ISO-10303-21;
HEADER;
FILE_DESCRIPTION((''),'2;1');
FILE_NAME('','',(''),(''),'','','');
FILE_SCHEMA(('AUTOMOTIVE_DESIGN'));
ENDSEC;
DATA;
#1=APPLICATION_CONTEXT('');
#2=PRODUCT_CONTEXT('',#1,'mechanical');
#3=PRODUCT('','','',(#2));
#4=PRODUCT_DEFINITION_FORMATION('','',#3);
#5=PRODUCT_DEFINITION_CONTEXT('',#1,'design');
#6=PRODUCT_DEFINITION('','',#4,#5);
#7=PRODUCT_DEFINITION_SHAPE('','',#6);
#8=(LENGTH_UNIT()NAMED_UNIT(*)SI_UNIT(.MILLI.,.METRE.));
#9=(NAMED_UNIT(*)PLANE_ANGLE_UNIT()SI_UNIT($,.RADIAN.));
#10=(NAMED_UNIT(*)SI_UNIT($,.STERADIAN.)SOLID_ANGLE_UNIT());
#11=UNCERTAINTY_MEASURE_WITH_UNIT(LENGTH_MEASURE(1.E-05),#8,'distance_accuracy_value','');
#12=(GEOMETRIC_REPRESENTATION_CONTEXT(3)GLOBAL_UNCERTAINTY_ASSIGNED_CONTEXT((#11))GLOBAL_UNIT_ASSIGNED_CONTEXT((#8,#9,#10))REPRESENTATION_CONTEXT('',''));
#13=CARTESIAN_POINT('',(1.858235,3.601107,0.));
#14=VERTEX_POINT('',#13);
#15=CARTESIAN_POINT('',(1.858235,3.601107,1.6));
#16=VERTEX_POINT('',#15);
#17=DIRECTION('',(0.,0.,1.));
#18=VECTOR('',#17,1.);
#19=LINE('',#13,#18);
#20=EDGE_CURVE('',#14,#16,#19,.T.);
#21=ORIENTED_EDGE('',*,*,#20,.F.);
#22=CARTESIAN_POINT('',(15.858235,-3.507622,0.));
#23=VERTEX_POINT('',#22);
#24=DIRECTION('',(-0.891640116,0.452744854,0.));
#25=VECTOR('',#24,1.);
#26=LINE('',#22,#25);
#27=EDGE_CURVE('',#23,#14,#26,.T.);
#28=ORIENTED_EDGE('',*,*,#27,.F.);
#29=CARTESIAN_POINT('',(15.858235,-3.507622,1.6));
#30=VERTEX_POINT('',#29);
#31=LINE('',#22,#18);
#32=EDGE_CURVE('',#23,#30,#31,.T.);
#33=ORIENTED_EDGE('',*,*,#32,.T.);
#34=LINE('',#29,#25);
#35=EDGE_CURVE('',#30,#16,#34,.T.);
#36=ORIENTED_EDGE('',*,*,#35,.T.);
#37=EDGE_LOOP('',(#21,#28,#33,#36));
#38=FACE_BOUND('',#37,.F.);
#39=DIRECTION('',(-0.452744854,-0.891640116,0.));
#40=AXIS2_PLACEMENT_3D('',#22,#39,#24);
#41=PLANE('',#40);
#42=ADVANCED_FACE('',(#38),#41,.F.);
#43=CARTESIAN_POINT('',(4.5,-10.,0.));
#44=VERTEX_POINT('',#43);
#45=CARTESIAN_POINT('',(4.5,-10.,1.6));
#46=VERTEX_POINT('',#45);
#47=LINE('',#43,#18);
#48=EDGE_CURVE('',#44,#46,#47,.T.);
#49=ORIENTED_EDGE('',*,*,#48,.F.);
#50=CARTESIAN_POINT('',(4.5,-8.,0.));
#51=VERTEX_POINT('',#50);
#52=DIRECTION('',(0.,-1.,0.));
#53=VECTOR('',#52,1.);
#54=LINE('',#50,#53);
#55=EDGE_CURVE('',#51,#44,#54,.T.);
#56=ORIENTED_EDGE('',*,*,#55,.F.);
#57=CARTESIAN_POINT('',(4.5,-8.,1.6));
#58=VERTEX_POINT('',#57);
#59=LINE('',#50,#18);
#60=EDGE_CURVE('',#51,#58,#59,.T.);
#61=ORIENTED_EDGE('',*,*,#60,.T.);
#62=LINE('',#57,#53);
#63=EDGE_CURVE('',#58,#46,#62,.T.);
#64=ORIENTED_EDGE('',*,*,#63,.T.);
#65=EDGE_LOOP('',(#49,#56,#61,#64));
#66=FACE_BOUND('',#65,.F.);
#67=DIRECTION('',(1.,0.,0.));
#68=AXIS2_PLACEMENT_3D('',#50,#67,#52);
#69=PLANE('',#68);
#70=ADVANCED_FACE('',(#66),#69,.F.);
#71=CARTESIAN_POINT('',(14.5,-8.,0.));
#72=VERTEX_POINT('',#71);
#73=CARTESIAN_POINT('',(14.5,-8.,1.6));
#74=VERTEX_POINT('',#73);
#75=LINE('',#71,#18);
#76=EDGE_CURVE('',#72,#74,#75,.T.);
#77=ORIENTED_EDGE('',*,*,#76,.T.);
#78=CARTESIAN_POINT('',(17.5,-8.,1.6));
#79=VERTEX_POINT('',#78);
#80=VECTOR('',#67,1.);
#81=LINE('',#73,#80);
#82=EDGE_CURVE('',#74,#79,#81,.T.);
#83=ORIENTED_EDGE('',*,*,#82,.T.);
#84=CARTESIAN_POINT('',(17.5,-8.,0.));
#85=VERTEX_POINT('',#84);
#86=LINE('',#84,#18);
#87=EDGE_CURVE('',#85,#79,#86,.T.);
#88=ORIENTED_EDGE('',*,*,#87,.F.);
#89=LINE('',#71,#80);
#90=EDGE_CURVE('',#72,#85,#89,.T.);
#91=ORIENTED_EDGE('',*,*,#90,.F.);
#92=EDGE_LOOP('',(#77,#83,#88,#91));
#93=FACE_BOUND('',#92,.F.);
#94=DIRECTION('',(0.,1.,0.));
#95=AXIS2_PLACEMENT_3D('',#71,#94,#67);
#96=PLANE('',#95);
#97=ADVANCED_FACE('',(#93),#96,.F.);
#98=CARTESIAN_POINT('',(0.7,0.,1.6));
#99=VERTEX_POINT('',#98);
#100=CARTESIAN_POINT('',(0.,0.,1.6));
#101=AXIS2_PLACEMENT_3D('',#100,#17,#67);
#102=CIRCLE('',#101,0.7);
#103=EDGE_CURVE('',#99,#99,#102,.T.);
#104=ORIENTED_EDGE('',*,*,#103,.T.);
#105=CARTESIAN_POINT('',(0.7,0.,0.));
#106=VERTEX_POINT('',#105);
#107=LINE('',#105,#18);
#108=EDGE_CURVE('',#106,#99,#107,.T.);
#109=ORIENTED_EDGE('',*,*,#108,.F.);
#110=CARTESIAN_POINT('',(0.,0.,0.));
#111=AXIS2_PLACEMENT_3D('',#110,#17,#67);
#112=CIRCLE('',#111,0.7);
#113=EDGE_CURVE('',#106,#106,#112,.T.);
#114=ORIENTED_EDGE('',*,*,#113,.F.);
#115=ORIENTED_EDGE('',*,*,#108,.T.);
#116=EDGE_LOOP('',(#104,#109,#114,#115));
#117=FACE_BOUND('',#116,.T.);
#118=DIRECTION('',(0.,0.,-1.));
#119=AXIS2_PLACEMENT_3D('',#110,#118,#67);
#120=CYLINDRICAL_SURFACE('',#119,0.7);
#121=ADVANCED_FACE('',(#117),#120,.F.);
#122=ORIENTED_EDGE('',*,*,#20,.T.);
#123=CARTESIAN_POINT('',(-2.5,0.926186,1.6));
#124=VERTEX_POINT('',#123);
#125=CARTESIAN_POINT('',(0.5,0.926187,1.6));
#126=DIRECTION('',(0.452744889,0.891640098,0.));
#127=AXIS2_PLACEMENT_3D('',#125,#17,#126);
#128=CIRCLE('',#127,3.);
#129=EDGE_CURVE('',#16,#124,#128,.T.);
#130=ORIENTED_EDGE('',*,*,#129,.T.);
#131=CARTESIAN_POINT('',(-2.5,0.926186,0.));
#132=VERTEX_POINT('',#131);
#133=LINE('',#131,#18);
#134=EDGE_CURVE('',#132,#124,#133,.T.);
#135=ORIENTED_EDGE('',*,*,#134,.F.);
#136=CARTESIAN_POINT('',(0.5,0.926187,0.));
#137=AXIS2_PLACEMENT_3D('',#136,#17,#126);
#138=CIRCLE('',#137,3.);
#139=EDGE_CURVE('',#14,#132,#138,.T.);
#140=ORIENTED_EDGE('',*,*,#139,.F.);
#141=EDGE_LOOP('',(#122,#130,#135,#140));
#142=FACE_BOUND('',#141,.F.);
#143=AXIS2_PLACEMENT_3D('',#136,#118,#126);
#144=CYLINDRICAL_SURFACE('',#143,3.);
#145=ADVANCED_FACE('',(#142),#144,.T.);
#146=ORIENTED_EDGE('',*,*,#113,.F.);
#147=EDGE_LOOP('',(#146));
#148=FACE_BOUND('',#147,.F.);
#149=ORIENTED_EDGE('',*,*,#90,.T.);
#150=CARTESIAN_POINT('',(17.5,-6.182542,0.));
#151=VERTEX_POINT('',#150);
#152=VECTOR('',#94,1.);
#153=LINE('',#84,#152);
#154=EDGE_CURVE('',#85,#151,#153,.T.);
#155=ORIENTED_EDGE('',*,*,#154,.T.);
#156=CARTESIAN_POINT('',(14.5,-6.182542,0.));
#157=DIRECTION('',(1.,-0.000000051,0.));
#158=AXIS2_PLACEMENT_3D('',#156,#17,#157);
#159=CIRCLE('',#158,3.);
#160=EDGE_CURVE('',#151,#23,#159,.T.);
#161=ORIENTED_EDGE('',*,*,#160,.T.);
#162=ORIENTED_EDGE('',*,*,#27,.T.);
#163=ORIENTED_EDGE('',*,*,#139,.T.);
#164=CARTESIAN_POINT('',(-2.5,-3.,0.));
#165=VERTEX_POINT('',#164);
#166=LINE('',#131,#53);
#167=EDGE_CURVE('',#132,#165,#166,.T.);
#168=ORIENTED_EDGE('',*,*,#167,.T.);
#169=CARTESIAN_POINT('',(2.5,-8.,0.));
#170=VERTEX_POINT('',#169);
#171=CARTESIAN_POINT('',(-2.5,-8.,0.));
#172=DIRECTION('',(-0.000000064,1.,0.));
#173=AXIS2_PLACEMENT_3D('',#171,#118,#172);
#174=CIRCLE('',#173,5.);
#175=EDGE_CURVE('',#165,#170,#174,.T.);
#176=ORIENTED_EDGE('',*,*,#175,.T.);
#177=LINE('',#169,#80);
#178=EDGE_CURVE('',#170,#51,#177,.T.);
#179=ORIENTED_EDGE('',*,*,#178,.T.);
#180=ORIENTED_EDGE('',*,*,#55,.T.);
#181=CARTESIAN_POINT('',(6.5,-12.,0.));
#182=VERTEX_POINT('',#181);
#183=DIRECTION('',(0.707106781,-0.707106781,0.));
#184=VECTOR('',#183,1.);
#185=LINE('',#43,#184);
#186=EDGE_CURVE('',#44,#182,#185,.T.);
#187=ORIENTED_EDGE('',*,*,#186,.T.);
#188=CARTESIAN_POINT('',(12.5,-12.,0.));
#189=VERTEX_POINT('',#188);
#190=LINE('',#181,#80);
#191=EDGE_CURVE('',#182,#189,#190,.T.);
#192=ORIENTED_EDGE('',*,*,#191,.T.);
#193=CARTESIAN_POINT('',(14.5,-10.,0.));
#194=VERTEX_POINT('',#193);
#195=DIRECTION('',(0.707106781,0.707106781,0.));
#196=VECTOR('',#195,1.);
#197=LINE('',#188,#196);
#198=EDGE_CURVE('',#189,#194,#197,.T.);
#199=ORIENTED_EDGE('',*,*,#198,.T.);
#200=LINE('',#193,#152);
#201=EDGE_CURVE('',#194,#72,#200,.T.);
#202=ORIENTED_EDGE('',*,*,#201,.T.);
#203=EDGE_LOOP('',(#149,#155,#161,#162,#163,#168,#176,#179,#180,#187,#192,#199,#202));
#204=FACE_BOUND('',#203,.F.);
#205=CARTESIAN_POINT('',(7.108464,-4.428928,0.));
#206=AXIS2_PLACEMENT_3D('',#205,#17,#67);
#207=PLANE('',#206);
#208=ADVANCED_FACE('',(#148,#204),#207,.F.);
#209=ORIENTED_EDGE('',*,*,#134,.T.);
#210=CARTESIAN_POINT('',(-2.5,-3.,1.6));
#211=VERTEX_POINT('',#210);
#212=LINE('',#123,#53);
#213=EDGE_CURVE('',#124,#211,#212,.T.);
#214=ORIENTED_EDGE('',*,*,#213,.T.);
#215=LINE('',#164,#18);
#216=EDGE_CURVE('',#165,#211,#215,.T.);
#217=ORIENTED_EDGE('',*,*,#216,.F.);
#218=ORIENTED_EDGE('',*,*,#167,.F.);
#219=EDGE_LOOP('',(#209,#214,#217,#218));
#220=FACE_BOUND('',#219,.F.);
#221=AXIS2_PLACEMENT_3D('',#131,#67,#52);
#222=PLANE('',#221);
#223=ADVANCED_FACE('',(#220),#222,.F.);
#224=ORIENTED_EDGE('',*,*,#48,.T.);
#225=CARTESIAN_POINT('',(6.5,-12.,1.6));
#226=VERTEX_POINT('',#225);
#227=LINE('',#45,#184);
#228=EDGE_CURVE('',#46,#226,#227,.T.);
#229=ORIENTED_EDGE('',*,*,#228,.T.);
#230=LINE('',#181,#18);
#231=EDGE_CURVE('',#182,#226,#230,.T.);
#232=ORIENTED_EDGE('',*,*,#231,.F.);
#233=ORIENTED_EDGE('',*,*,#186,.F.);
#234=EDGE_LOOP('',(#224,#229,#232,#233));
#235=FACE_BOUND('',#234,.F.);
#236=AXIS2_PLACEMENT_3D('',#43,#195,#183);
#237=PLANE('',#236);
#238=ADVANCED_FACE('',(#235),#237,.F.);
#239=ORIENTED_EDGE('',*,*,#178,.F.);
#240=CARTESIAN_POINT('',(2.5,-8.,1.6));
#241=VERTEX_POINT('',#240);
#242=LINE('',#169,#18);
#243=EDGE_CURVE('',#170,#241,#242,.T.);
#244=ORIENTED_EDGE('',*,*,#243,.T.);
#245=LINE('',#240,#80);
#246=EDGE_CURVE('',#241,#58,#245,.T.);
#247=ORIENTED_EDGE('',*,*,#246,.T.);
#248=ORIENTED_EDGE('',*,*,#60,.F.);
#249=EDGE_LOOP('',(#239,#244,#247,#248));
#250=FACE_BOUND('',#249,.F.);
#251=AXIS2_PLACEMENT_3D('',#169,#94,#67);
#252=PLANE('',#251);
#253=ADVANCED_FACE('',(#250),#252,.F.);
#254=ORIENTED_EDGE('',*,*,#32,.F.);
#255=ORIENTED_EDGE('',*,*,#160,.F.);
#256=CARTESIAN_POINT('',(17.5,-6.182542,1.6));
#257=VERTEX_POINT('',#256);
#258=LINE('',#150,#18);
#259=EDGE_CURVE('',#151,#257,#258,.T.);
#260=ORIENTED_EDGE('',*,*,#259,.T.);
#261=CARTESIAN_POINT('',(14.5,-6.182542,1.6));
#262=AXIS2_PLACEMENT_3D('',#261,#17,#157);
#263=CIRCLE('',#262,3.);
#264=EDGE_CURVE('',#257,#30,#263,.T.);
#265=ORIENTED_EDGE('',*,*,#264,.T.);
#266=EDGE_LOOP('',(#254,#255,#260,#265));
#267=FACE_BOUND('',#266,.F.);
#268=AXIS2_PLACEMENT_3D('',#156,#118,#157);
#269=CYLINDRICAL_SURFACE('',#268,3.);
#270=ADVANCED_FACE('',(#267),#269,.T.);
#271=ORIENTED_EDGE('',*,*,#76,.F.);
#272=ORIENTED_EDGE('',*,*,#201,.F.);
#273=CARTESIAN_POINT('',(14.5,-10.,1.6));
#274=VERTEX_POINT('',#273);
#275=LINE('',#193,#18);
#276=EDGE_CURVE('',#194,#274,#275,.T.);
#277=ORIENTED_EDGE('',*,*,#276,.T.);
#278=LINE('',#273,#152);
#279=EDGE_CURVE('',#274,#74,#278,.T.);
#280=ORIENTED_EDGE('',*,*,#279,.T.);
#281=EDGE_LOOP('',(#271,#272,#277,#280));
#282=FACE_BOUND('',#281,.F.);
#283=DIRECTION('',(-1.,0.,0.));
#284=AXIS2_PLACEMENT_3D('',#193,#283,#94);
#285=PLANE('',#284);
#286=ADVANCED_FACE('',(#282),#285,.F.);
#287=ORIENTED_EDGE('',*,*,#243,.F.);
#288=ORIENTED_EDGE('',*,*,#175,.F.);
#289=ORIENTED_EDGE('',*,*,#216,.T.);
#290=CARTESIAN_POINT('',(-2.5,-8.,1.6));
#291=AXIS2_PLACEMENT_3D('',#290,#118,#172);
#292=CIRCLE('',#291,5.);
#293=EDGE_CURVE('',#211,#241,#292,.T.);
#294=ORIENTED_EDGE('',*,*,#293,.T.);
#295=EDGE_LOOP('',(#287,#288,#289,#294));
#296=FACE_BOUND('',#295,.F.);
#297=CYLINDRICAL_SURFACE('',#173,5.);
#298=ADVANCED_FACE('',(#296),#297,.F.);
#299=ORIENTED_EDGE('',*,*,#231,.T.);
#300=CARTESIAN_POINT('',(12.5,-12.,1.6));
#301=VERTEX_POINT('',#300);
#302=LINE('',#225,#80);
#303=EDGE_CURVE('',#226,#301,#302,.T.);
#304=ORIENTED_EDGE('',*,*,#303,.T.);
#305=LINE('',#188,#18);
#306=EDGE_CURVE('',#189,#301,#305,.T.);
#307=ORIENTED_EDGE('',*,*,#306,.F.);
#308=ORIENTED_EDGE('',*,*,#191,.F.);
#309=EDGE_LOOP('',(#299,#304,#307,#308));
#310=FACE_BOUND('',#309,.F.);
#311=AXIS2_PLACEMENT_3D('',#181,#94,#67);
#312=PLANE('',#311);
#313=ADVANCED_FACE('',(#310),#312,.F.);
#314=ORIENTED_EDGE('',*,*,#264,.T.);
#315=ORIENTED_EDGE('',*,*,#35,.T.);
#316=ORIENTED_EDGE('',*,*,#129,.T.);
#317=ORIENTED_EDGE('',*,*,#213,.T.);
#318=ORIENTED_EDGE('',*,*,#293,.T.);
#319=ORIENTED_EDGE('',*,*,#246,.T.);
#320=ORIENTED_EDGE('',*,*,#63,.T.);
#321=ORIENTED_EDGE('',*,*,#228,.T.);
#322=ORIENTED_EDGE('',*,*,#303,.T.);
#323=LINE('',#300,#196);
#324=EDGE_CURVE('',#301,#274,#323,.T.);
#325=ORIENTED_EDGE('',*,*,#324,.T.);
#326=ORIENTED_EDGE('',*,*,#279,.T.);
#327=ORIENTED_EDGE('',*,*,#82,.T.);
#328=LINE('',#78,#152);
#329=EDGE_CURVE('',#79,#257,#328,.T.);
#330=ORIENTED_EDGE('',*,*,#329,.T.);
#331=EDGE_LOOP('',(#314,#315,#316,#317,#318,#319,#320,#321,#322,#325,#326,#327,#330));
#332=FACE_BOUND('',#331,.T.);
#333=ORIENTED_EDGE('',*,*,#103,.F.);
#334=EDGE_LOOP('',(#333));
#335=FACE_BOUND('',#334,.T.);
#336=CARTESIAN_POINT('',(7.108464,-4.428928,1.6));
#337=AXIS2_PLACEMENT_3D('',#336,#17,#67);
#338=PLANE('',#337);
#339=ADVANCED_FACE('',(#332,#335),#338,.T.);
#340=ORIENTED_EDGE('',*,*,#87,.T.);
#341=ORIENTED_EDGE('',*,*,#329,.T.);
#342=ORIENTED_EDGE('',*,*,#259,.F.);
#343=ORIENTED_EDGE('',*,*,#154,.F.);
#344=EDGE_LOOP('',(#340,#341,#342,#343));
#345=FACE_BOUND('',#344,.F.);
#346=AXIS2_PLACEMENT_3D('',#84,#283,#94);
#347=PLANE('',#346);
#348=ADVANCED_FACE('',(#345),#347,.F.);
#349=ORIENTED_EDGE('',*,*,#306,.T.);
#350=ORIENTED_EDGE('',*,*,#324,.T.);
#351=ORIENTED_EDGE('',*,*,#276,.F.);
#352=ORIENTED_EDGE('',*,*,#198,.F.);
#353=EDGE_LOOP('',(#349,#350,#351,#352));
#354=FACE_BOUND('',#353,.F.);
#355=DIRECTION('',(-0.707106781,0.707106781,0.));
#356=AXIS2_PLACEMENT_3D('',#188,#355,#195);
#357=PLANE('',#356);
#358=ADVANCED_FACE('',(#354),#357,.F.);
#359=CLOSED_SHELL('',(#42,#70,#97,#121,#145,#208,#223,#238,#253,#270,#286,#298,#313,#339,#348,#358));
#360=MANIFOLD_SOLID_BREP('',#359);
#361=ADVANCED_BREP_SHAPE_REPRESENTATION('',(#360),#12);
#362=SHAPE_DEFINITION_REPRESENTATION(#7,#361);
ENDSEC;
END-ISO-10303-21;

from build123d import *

# Parameters (mm, degrees)
F0_R     = 0.7
F1_DEPTH = 1.6


with BuildPart() as f1:
    # F0 (on Top) → F1 (new body)
    with BuildSketch(Plane.XY):
        with BuildLine():
            Line((-2.5, 0.926186), (-2.5, -3))
            ThreePointArc((-2.5, -3), (1.035534, -4.464466), (2.5, -8))
            Line((2.5, -8), (4.5, -8))
            Line((4.5, -8), (4.5, -10))
            Line((4.5, -10), (6.5, -12))
            Line((6.5, -12), (12.5, -12))
            Line((12.5, -12), (14.5, -10))
            Line((14.5, -10), (14.5, -8))
            Line((14.5, -8), (17.5, -8))
            Line((17.5, -8), (17.5, -6.182542))
            ThreePointArc((17.5, -6.182542), (17.056825, -4.61326), (15.858235, -3.507622))
            Line((15.858235, -3.507622), (1.858235, 3.601107))
            ThreePointArc((1.858235, 3.601107), (-1.069283, 3.483011), (-2.5, 0.926186))
        make_face()
        Circle(F0_R, mode=Mode.SUBTRACT)
    extrude(amount=F1_DEPTH)


solid = f1.part
